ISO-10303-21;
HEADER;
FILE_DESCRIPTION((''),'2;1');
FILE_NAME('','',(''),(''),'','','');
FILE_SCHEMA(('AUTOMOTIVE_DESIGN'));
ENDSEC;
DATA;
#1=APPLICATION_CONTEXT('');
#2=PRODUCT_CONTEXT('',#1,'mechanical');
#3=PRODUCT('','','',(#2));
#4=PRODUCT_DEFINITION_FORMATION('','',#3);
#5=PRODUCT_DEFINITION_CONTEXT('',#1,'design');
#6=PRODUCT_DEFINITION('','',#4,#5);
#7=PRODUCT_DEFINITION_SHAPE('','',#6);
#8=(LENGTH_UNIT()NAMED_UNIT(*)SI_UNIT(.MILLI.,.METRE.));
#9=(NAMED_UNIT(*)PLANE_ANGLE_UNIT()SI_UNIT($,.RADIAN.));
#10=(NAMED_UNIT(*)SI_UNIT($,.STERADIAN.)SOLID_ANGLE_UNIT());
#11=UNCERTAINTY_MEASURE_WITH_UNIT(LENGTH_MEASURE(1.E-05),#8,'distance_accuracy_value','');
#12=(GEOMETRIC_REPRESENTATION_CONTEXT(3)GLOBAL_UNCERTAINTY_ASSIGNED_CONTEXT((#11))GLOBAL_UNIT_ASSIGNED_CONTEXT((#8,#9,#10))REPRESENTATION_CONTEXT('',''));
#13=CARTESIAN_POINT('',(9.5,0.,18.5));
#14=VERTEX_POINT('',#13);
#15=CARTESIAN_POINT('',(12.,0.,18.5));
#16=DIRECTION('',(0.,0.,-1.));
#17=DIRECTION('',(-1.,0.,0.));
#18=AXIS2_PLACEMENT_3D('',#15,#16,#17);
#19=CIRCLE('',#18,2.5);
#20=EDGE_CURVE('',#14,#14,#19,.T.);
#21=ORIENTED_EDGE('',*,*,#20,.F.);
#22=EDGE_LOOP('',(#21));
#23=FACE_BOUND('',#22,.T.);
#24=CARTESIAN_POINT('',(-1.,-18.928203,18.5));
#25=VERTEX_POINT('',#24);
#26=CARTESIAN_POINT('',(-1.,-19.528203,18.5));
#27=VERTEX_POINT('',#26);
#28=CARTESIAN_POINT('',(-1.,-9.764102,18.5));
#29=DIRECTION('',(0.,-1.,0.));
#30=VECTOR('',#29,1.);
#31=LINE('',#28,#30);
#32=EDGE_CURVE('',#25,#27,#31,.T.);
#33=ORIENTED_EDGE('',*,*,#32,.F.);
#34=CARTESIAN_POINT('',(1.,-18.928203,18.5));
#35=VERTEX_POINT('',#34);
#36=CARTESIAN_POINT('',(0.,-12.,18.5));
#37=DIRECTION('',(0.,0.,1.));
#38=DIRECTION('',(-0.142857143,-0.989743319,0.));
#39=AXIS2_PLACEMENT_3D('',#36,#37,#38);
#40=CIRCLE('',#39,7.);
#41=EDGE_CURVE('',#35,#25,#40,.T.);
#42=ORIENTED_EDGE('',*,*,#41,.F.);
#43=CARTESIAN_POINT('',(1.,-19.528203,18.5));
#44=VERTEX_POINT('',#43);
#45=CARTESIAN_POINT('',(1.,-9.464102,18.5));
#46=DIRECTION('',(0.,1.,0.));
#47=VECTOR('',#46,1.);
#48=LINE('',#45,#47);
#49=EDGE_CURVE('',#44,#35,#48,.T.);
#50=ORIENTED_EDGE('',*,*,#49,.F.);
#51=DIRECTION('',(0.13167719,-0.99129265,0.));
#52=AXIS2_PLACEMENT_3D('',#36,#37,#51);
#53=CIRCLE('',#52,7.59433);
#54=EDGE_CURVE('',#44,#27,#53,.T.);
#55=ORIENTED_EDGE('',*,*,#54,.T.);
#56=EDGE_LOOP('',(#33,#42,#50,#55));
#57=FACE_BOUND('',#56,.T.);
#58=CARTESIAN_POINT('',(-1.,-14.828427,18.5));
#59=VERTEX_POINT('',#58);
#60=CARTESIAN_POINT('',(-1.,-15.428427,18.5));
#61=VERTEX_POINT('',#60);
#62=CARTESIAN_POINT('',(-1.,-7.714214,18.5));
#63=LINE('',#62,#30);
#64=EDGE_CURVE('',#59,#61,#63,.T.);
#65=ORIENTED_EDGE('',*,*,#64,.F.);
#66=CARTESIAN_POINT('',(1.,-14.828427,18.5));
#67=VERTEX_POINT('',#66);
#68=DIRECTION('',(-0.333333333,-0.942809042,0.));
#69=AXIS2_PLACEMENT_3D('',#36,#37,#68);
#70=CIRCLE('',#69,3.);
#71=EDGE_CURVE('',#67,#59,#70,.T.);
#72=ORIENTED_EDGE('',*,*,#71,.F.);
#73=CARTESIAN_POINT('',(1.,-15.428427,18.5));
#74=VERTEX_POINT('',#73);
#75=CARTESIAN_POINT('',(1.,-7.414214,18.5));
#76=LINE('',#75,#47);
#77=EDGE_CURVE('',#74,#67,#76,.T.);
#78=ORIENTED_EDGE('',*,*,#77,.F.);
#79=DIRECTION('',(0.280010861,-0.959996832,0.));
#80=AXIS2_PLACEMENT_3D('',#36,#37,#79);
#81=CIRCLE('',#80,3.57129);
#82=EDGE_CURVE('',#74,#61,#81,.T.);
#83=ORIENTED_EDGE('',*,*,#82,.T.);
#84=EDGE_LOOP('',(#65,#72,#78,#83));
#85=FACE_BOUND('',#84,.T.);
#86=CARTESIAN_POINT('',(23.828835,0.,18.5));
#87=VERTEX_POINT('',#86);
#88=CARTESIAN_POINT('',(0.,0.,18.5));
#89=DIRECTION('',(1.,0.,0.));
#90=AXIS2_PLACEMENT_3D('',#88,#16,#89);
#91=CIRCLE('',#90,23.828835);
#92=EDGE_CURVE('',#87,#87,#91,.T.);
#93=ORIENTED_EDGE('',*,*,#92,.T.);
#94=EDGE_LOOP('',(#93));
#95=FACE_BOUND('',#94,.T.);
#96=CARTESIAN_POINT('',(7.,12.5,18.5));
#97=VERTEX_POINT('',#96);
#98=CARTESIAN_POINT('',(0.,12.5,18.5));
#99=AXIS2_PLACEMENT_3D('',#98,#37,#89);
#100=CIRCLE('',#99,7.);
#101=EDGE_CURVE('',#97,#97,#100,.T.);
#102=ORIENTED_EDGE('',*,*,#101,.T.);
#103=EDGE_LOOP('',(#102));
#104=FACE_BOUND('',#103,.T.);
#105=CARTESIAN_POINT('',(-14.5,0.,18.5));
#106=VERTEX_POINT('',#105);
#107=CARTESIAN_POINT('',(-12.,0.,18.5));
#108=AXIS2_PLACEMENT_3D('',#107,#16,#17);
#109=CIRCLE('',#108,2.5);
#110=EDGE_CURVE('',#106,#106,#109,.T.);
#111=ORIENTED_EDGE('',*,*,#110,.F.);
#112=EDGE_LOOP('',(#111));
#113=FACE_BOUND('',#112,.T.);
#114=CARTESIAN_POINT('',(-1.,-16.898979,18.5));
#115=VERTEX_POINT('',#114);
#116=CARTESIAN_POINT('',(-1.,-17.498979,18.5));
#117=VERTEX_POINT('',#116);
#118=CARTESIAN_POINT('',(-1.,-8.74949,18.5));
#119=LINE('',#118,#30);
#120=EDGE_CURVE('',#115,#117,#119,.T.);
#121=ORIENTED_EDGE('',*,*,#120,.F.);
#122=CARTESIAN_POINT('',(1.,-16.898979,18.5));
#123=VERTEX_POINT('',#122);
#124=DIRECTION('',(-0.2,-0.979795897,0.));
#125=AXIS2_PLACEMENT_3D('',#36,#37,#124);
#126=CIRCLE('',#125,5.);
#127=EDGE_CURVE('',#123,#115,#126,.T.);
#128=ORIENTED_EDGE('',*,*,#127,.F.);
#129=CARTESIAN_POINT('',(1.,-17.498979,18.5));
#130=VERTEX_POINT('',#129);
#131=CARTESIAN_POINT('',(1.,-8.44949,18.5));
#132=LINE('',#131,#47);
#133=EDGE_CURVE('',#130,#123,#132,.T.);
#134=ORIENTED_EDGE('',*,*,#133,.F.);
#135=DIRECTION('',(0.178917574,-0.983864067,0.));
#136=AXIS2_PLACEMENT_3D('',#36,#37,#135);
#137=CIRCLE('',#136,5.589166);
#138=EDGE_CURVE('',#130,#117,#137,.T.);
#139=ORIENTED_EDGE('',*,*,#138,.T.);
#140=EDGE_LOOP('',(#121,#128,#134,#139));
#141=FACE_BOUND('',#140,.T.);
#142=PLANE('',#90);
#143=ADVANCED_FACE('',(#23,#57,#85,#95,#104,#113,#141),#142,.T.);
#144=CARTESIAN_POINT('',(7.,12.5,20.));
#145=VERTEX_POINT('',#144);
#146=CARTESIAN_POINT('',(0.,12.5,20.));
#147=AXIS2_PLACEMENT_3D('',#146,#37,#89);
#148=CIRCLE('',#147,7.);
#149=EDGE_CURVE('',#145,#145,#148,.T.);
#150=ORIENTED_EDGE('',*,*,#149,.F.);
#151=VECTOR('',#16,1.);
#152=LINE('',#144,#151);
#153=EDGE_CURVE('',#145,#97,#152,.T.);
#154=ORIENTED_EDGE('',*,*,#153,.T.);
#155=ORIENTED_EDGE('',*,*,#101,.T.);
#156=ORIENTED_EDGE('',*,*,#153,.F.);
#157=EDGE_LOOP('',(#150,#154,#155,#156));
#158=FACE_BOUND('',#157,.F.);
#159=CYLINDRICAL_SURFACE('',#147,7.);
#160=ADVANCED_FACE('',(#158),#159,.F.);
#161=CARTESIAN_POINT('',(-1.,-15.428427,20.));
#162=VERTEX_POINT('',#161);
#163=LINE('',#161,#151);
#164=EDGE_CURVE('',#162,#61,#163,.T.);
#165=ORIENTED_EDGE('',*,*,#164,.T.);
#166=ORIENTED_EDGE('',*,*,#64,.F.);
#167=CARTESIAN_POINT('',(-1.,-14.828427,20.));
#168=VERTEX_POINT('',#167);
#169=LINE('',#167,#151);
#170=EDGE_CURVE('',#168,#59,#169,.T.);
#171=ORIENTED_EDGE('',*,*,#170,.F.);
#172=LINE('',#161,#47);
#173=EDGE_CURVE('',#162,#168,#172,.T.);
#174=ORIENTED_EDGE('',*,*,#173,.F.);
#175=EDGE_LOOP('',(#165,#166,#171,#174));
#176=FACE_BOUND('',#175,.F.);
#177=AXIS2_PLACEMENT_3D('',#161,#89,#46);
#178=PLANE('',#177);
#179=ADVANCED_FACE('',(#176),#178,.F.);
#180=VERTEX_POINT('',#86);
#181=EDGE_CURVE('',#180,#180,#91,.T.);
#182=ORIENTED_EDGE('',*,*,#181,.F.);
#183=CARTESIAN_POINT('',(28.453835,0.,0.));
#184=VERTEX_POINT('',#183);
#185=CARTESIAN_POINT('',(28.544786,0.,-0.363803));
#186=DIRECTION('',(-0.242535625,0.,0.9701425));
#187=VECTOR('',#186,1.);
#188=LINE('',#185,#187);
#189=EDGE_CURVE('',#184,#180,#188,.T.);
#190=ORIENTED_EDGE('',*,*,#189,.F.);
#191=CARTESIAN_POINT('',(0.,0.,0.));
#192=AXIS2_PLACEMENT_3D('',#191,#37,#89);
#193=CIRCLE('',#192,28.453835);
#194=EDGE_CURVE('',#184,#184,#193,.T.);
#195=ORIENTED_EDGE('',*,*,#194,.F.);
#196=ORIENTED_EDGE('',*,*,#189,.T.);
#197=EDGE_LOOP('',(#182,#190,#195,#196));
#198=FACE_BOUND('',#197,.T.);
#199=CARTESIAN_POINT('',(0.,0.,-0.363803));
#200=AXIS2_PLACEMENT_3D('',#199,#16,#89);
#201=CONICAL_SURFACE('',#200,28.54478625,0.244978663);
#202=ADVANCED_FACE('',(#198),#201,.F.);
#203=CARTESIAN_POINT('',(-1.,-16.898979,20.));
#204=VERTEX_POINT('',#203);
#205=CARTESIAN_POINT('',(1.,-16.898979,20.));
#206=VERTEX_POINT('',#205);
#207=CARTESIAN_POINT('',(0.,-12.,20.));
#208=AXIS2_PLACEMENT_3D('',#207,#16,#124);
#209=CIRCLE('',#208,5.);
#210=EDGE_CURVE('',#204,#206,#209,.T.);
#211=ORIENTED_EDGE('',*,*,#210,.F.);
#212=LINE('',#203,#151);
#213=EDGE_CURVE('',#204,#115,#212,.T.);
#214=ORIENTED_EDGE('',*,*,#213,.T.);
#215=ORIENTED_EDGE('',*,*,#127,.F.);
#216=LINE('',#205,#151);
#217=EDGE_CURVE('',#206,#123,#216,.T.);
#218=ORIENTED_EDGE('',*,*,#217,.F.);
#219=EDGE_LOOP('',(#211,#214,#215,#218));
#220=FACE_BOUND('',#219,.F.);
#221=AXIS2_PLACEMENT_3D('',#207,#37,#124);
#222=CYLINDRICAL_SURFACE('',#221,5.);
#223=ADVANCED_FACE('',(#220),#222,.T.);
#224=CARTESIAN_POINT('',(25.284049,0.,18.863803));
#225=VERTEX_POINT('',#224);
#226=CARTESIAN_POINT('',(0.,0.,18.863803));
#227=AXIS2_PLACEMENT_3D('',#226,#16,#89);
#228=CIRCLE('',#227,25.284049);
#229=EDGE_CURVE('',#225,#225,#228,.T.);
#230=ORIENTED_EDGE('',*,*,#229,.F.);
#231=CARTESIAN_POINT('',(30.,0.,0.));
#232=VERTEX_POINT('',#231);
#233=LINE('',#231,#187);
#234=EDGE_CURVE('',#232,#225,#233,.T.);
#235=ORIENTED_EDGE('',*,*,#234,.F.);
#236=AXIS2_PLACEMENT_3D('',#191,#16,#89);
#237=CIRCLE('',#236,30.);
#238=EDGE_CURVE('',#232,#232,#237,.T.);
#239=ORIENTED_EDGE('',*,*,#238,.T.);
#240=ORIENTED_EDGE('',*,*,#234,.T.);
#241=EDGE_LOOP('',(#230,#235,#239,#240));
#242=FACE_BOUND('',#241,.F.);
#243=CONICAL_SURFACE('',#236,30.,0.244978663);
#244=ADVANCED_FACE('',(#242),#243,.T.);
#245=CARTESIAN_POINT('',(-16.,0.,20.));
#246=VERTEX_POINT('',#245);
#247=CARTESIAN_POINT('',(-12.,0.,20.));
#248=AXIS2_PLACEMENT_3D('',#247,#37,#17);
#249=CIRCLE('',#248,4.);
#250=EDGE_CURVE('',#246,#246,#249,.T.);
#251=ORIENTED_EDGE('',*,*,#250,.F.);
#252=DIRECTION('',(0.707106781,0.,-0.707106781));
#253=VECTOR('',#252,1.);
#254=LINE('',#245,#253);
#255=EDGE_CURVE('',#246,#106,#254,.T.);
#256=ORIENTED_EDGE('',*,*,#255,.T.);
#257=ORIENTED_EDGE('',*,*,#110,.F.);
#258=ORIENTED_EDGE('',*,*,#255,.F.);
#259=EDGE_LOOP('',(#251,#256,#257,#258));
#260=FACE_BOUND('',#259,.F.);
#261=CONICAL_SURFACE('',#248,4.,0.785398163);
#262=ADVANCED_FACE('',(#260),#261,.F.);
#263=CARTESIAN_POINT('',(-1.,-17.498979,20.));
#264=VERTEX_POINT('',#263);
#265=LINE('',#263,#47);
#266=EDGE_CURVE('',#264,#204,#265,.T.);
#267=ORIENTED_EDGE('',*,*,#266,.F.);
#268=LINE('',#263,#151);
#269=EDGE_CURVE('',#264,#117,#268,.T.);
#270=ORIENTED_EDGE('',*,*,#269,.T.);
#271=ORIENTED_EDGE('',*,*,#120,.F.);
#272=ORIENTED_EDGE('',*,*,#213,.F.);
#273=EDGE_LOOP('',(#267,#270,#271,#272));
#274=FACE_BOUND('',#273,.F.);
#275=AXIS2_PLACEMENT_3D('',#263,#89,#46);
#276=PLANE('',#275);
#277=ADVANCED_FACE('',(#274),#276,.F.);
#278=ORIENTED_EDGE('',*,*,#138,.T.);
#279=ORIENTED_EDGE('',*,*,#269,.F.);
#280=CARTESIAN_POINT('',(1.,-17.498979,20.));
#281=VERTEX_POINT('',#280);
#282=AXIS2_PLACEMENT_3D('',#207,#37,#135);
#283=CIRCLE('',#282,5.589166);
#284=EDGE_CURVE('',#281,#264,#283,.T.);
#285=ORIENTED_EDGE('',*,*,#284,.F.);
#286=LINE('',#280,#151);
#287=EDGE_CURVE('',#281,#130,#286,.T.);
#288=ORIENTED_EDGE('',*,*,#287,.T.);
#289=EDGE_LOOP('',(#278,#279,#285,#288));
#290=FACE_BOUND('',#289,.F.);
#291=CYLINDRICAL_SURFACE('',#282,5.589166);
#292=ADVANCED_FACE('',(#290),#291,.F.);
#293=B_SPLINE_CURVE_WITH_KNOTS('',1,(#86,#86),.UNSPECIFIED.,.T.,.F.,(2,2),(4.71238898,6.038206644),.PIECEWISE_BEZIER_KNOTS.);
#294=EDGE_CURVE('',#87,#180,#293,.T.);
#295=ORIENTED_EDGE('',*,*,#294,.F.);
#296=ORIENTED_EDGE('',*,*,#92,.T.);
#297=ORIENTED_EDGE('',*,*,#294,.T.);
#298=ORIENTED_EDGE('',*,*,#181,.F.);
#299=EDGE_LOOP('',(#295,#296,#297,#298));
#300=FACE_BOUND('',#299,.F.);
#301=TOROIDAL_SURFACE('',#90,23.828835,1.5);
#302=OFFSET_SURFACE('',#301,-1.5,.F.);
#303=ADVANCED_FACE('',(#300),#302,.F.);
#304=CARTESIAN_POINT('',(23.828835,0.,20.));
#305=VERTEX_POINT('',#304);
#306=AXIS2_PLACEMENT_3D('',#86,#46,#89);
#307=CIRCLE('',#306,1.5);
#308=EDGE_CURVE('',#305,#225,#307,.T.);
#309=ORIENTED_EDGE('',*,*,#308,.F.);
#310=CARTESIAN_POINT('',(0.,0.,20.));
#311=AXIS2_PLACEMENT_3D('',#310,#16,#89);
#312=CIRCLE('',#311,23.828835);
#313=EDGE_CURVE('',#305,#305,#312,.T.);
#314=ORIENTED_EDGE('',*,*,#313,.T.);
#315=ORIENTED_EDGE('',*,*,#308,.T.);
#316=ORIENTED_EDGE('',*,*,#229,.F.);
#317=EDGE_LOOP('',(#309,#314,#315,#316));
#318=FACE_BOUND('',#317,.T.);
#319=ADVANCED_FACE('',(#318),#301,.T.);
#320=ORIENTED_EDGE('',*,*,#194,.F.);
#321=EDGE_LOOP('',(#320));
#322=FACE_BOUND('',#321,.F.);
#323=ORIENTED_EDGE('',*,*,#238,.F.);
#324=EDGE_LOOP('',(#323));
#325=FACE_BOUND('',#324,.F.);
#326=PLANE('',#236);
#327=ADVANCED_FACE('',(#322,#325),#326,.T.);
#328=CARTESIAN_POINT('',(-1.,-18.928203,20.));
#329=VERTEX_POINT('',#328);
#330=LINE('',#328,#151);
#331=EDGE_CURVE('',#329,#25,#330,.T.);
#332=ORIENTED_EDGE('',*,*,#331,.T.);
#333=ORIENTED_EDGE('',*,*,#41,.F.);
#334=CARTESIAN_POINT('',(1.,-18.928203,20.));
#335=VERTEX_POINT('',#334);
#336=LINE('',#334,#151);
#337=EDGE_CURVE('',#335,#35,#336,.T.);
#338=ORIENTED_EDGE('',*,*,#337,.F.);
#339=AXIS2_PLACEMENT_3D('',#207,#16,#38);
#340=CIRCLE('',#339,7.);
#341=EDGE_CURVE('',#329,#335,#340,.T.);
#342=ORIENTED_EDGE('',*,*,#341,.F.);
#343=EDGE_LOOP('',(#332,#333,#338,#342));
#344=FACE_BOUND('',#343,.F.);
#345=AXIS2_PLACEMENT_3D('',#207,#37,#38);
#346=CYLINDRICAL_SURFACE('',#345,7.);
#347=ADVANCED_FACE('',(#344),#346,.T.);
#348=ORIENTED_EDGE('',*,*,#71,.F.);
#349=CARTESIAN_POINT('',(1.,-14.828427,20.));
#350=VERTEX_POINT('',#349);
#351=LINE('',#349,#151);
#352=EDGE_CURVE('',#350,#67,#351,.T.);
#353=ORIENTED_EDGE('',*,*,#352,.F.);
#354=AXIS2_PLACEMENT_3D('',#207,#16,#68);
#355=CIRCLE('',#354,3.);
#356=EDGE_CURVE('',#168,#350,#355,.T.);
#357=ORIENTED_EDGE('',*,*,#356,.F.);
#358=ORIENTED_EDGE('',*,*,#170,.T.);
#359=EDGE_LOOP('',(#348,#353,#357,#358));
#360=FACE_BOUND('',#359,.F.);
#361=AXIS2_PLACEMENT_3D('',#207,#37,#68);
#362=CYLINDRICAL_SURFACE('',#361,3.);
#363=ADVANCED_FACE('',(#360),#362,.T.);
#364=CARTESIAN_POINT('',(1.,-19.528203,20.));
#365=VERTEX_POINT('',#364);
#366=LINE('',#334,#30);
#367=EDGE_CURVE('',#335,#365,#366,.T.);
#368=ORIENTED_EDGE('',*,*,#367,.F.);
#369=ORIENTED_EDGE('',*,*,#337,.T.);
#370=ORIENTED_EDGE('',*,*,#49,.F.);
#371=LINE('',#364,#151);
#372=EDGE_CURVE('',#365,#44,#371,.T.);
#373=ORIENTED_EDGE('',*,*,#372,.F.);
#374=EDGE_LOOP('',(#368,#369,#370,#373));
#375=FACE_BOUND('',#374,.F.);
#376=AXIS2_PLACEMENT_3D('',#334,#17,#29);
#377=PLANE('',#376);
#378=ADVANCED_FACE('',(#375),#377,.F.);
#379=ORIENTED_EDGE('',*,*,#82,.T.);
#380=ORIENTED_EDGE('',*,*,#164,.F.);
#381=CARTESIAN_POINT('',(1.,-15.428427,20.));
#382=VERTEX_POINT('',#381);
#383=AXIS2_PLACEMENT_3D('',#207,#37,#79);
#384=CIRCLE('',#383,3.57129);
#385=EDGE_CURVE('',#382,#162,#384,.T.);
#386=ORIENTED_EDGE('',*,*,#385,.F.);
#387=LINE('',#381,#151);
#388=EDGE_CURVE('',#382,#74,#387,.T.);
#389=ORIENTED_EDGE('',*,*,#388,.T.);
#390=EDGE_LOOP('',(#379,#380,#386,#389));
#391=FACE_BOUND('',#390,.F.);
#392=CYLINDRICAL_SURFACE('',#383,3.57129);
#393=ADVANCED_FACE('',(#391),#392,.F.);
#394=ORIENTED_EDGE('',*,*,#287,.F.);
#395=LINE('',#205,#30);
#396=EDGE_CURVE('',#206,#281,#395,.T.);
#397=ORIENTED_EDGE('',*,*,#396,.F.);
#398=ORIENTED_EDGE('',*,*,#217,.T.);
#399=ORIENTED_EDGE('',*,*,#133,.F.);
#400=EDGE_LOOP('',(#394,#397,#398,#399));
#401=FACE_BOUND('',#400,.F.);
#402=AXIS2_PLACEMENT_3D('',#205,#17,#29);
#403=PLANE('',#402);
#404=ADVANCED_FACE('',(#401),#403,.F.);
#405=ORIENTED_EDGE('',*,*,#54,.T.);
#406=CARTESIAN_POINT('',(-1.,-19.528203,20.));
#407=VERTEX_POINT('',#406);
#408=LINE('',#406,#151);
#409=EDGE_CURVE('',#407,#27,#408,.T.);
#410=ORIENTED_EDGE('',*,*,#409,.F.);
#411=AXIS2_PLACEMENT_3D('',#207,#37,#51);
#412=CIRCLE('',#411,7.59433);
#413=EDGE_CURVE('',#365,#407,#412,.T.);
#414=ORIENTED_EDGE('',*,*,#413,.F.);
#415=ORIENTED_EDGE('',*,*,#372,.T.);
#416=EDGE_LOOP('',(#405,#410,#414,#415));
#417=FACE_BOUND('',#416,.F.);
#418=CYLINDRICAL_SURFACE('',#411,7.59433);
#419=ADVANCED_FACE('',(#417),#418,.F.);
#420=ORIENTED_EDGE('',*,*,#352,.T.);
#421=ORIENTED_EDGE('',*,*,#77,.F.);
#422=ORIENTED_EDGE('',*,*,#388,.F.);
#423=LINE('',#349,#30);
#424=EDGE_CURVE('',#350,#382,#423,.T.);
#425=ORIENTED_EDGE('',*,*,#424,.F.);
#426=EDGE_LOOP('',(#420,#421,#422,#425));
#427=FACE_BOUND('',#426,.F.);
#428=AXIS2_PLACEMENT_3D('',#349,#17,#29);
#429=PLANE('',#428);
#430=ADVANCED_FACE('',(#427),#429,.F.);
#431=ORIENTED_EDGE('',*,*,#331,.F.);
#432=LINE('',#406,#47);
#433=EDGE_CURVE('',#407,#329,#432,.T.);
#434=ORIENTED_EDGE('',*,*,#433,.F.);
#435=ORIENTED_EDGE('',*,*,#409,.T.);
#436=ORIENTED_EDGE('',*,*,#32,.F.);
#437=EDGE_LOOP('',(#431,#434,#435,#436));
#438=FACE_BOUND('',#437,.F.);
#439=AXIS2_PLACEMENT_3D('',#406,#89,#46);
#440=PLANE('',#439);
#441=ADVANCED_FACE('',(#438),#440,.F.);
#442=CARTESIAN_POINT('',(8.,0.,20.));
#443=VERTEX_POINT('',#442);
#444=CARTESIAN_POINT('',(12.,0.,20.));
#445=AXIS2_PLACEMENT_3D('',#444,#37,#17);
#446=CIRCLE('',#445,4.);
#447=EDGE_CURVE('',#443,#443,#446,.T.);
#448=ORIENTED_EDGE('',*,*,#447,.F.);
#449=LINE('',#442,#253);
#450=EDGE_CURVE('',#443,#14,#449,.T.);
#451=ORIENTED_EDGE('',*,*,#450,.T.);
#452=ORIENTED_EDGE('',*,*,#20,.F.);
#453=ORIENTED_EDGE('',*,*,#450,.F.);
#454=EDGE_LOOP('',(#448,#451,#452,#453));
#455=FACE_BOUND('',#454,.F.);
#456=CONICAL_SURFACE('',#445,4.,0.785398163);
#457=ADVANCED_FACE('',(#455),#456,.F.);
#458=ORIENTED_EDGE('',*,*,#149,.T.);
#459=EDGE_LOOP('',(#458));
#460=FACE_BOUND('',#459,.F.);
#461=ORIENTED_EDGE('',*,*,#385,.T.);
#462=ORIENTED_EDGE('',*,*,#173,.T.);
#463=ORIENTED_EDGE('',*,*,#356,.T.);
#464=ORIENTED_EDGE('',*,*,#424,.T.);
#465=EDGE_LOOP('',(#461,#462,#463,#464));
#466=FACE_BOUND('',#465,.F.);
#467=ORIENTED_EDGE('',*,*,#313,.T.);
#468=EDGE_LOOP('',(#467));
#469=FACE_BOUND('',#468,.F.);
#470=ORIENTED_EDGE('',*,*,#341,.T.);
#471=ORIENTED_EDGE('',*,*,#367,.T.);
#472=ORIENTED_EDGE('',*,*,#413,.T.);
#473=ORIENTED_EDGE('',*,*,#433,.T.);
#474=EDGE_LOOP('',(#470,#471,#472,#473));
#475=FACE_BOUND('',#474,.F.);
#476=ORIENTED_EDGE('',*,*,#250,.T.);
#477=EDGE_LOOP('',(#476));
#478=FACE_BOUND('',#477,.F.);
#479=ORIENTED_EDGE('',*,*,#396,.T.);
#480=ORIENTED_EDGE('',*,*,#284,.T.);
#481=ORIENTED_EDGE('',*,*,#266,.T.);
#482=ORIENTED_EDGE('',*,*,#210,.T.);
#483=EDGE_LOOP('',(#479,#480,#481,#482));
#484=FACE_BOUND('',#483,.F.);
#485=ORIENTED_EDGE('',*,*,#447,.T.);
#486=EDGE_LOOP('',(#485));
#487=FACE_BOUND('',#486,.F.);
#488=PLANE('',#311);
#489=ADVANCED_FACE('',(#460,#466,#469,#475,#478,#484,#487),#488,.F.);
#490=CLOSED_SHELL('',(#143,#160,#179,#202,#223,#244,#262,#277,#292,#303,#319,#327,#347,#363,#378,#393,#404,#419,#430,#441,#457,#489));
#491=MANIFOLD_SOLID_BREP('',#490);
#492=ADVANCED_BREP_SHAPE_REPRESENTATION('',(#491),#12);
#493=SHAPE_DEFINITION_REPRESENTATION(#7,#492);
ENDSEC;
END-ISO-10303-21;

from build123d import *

# Parameters (mm, degrees)
F3_R           = 1.5
F4_T           = -1.5
F5_R           = 7
F6_DEPTH       = 20.001
F8_D           = 4
F8_CSINK_D     = 8
F8_CSINK_ANGLE = 90
F10_DEPTH      = 20.001


with BuildPart() as f2:
    # F0 (on Front) → F2 (revolve)
    with BuildSketch(Plane.XZ):
        Polygon((25, 20), (0, 20), (0, 0), (30, 0), align=None)
    revolve(axis=Axis((0, 0, 16.1236887798), (0, 0, -1)))

    # F3
    f3_edges = [f2.edges().sort_by_distance(p)[0] for p in [
        (-25, 0, 20),
    ]]
    fillet(f3_edges, radius=F3_R)

    # F4
    f4_openings = [f2.faces().sort_by_distance(p)[0] for p in [
        (0, 0, 0),
    ]]
    offset(amount=F4_T, openings=f4_openings, kind=Kind.INTERSECTION)

    # F5 (on face) → F6 (cut, through all)
    with BuildSketch(Plane.XY.offset(20)):
        with Locations((0, 12.5)):
            Circle(F5_R)
    extrude(amount=-F6_DEPTH, mode=Mode.SUBTRACT)

    # F8 (through all)
    with Locations(Plane.XY.offset(20)):
        with Locations((12, 0), (-12, 0)):
            CounterSinkHole(F8_D / 2, F8_CSINK_D / 2, counter_sink_angle=F8_CSINK_ANGLE)

    # F9 (on face) → F10 (cut, through all)
    with BuildSketch(Plane.XY.offset(20)):
        with BuildLine():
            ThreePointArc((-1, -14.8284271247), (0, -9), (1, -14.8284271247))
            Line((1, -14.8284271247), (1, -15.4284271247))
            ThreePointArc((1, -15.4284271247), (0, -8.42870996), (-1, -15.4284271247))
            Line((-1, -15.4284271247), (-1, -14.8284271247))
        make_face()
        with BuildLine():
            ThreePointArc((-1, -16.8989794856), (0, -7), (1, -16.8989794856))
            Line((1, -16.8989794856), (1, -17.4989794856))
            ThreePointArc((1, -17.4989794856), (0, -6.4108341067), (-1, -17.4989794856))
            Line((-1, -17.4989794856), (-1, -16.8989794856))
        make_face()
        with BuildLine():
            ThreePointArc((-1, -18.9282032303), (0, -5), (1, -18.9282032303))
            Line((1, -18.9282032303), (1, -19.5282032303))
            ThreePointArc((1, -19.5282032303), (0, -4.4056702813), (-1, -19.5282032303))
            Line((-1, -19.5282032303), (-1, -18.9282032303))
        make_face()
    extrude(amount=-F10_DEPTH, mode=Mode.SUBTRACT)


solid = f2.part
